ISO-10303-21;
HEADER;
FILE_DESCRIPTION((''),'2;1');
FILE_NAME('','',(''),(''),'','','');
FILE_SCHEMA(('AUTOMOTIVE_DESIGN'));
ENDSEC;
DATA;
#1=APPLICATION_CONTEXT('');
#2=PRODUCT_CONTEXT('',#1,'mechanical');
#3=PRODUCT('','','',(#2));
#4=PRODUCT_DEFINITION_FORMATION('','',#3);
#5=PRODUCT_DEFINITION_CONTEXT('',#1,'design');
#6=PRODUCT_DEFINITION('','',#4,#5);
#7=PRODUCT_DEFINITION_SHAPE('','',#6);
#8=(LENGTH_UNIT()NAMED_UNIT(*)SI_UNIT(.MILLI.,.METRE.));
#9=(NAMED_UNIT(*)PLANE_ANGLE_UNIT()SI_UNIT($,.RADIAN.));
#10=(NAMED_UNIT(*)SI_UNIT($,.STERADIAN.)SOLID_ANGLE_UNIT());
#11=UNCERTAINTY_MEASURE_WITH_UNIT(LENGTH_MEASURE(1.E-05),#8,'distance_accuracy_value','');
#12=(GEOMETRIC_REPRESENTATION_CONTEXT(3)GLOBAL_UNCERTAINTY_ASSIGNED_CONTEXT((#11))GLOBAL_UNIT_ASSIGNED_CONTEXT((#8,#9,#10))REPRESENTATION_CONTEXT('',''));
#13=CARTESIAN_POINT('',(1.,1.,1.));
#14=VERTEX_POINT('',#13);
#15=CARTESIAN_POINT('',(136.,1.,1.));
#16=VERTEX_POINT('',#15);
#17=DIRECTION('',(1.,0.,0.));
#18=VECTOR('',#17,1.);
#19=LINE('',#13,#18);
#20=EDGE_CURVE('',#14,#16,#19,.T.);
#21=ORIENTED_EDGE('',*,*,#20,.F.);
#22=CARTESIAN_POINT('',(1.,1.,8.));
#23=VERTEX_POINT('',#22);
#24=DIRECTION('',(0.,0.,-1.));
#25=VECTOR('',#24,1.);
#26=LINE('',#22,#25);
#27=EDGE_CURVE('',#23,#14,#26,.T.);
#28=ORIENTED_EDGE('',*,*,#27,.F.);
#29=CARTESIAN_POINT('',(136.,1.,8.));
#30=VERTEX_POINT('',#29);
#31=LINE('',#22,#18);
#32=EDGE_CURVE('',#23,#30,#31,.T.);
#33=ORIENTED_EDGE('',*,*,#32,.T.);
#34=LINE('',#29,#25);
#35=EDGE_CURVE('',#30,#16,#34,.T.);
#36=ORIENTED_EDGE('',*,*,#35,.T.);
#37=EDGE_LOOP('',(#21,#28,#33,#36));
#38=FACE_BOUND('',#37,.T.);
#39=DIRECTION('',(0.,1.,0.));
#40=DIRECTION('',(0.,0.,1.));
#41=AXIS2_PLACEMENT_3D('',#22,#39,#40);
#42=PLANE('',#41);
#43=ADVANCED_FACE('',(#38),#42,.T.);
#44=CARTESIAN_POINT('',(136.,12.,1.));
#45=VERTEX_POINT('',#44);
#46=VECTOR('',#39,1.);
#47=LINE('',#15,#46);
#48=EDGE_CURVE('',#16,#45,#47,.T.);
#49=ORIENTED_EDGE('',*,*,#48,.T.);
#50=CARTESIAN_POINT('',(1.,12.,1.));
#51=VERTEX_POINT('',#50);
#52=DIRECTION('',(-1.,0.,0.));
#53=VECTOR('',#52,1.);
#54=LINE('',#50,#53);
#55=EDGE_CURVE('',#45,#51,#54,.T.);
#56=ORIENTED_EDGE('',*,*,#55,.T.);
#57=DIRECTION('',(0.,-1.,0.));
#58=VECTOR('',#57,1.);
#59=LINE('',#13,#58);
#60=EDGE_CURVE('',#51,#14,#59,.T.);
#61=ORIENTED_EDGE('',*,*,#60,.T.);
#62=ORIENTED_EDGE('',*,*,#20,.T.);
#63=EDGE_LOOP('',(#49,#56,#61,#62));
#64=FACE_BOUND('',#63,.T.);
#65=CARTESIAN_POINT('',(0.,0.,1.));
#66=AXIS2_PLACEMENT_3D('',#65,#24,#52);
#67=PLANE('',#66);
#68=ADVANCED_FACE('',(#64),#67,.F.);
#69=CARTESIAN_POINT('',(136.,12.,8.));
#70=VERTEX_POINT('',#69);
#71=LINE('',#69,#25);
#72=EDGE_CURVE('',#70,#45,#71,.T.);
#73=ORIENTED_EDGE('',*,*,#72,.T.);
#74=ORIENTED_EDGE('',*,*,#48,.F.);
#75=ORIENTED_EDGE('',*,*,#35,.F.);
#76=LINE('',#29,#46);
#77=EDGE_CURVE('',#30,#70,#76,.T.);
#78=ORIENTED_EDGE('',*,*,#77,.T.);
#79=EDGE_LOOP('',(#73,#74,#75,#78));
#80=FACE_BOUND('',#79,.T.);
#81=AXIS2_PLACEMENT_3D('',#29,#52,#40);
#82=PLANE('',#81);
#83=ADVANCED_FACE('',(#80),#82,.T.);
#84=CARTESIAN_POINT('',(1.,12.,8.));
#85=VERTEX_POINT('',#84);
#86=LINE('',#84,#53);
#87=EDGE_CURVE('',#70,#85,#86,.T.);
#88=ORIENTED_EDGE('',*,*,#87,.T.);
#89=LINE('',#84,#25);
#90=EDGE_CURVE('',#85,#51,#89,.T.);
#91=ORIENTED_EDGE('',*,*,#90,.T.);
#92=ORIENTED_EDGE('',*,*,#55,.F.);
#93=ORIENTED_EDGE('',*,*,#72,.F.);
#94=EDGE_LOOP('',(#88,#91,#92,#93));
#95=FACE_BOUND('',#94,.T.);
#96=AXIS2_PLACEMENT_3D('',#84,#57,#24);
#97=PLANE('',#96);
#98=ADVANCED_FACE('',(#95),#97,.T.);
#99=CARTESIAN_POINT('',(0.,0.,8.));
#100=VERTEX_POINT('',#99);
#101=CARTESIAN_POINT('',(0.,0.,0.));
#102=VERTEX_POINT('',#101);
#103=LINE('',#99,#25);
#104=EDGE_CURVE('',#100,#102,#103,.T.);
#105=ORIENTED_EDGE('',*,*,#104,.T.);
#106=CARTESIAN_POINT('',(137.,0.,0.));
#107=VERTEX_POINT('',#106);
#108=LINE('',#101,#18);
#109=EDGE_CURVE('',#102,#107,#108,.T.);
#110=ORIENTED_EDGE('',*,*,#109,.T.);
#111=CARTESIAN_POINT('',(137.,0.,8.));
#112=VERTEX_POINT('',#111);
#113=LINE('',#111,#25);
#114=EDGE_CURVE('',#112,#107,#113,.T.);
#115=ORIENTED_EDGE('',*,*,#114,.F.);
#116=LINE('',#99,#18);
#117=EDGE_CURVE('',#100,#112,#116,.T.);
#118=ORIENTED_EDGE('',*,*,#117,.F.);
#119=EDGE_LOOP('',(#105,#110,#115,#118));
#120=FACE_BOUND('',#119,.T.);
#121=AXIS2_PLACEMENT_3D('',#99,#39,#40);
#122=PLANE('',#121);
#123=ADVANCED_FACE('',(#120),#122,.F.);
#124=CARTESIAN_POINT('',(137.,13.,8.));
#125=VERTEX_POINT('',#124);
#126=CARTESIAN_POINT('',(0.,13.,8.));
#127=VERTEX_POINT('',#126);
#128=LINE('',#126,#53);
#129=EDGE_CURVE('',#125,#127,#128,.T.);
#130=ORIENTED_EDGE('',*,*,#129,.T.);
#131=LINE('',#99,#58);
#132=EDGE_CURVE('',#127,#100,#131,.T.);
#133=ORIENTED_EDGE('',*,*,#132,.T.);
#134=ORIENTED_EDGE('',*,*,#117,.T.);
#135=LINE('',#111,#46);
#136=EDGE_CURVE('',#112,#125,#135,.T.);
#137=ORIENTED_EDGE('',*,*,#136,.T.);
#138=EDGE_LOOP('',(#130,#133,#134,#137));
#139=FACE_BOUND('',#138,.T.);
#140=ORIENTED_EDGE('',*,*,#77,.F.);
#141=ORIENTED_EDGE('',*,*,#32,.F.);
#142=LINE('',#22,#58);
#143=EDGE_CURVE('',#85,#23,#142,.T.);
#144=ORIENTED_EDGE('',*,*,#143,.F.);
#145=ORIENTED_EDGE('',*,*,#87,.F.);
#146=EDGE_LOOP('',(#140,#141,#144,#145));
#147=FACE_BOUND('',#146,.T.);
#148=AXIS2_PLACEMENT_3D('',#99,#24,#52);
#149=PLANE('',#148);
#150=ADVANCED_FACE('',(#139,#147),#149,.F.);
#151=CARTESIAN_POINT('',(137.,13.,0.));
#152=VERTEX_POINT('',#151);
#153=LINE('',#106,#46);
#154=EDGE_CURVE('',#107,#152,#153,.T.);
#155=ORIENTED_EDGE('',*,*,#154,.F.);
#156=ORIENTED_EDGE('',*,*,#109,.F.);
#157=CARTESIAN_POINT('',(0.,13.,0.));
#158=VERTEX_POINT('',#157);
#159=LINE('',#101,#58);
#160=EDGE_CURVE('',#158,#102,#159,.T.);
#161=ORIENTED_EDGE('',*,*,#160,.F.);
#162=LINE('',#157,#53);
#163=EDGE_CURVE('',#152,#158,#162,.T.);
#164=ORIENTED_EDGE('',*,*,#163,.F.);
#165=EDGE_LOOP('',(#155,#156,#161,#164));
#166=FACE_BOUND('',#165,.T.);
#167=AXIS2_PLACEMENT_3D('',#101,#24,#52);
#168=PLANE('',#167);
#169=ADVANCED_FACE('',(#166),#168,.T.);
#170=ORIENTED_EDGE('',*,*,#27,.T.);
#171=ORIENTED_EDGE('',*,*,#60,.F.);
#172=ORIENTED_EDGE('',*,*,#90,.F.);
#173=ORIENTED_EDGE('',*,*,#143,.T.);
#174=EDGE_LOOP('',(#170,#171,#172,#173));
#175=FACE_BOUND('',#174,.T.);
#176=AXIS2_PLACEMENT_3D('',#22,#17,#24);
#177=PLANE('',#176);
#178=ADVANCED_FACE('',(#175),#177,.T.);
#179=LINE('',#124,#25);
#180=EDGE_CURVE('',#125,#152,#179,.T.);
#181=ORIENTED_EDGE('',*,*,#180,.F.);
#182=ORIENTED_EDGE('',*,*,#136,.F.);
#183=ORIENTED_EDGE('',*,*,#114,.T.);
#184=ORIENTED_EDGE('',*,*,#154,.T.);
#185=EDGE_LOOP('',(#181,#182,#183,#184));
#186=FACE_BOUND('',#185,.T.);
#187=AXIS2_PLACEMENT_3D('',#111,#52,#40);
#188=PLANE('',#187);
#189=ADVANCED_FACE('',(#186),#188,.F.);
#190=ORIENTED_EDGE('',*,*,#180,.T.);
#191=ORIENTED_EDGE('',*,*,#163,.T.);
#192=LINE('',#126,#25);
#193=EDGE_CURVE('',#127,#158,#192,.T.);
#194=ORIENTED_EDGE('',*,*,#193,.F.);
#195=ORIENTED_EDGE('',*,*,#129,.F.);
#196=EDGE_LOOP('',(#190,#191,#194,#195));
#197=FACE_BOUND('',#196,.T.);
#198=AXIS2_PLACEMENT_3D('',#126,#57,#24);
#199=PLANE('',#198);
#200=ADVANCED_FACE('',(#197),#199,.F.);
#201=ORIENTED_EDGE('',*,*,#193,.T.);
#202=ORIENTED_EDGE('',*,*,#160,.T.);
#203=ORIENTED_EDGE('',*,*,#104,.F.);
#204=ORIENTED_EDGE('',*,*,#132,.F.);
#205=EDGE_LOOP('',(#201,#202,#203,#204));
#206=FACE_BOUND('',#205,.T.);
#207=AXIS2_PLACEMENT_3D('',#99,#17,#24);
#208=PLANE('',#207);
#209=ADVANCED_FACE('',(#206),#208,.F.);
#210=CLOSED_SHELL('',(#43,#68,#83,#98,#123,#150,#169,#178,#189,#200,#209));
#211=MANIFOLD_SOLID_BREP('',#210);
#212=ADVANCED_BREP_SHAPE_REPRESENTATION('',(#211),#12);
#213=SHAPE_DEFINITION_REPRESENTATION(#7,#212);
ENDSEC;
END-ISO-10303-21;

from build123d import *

# Parameters (mm, degrees)
SKETCH1_W     = 137
SKETCH1_H     = 13
SKETCH1_W_2   = 135
SKETCH1_H_2   = 11
PROFILE_DEPTH = 8
SKETCH2_W     = 135
SKETCH2_H     = 11
BACK_DEPTH    = 1


with BuildPart() as part:
    # Sketch1 → Profile (new body)
    with BuildSketch(Plane.XY):
        with Locations((68.5, 6.5)):
            Rectangle(SKETCH1_W, SKETCH1_H)
        with Locations((68.5, 6.5)):
            Rectangle(SKETCH1_W_2, SKETCH1_H_2, mode=Mode.SUBTRACT)
    extrude(amount=PROFILE_DEPTH)

    # Sketch2 → Back (add)
    with BuildSketch(Plane.XY):
        with Locations((68.5, 6.5)):
            Rectangle(SKETCH2_W, SKETCH2_H)
    extrude(amount=BACK_DEPTH)


solid = part.part
